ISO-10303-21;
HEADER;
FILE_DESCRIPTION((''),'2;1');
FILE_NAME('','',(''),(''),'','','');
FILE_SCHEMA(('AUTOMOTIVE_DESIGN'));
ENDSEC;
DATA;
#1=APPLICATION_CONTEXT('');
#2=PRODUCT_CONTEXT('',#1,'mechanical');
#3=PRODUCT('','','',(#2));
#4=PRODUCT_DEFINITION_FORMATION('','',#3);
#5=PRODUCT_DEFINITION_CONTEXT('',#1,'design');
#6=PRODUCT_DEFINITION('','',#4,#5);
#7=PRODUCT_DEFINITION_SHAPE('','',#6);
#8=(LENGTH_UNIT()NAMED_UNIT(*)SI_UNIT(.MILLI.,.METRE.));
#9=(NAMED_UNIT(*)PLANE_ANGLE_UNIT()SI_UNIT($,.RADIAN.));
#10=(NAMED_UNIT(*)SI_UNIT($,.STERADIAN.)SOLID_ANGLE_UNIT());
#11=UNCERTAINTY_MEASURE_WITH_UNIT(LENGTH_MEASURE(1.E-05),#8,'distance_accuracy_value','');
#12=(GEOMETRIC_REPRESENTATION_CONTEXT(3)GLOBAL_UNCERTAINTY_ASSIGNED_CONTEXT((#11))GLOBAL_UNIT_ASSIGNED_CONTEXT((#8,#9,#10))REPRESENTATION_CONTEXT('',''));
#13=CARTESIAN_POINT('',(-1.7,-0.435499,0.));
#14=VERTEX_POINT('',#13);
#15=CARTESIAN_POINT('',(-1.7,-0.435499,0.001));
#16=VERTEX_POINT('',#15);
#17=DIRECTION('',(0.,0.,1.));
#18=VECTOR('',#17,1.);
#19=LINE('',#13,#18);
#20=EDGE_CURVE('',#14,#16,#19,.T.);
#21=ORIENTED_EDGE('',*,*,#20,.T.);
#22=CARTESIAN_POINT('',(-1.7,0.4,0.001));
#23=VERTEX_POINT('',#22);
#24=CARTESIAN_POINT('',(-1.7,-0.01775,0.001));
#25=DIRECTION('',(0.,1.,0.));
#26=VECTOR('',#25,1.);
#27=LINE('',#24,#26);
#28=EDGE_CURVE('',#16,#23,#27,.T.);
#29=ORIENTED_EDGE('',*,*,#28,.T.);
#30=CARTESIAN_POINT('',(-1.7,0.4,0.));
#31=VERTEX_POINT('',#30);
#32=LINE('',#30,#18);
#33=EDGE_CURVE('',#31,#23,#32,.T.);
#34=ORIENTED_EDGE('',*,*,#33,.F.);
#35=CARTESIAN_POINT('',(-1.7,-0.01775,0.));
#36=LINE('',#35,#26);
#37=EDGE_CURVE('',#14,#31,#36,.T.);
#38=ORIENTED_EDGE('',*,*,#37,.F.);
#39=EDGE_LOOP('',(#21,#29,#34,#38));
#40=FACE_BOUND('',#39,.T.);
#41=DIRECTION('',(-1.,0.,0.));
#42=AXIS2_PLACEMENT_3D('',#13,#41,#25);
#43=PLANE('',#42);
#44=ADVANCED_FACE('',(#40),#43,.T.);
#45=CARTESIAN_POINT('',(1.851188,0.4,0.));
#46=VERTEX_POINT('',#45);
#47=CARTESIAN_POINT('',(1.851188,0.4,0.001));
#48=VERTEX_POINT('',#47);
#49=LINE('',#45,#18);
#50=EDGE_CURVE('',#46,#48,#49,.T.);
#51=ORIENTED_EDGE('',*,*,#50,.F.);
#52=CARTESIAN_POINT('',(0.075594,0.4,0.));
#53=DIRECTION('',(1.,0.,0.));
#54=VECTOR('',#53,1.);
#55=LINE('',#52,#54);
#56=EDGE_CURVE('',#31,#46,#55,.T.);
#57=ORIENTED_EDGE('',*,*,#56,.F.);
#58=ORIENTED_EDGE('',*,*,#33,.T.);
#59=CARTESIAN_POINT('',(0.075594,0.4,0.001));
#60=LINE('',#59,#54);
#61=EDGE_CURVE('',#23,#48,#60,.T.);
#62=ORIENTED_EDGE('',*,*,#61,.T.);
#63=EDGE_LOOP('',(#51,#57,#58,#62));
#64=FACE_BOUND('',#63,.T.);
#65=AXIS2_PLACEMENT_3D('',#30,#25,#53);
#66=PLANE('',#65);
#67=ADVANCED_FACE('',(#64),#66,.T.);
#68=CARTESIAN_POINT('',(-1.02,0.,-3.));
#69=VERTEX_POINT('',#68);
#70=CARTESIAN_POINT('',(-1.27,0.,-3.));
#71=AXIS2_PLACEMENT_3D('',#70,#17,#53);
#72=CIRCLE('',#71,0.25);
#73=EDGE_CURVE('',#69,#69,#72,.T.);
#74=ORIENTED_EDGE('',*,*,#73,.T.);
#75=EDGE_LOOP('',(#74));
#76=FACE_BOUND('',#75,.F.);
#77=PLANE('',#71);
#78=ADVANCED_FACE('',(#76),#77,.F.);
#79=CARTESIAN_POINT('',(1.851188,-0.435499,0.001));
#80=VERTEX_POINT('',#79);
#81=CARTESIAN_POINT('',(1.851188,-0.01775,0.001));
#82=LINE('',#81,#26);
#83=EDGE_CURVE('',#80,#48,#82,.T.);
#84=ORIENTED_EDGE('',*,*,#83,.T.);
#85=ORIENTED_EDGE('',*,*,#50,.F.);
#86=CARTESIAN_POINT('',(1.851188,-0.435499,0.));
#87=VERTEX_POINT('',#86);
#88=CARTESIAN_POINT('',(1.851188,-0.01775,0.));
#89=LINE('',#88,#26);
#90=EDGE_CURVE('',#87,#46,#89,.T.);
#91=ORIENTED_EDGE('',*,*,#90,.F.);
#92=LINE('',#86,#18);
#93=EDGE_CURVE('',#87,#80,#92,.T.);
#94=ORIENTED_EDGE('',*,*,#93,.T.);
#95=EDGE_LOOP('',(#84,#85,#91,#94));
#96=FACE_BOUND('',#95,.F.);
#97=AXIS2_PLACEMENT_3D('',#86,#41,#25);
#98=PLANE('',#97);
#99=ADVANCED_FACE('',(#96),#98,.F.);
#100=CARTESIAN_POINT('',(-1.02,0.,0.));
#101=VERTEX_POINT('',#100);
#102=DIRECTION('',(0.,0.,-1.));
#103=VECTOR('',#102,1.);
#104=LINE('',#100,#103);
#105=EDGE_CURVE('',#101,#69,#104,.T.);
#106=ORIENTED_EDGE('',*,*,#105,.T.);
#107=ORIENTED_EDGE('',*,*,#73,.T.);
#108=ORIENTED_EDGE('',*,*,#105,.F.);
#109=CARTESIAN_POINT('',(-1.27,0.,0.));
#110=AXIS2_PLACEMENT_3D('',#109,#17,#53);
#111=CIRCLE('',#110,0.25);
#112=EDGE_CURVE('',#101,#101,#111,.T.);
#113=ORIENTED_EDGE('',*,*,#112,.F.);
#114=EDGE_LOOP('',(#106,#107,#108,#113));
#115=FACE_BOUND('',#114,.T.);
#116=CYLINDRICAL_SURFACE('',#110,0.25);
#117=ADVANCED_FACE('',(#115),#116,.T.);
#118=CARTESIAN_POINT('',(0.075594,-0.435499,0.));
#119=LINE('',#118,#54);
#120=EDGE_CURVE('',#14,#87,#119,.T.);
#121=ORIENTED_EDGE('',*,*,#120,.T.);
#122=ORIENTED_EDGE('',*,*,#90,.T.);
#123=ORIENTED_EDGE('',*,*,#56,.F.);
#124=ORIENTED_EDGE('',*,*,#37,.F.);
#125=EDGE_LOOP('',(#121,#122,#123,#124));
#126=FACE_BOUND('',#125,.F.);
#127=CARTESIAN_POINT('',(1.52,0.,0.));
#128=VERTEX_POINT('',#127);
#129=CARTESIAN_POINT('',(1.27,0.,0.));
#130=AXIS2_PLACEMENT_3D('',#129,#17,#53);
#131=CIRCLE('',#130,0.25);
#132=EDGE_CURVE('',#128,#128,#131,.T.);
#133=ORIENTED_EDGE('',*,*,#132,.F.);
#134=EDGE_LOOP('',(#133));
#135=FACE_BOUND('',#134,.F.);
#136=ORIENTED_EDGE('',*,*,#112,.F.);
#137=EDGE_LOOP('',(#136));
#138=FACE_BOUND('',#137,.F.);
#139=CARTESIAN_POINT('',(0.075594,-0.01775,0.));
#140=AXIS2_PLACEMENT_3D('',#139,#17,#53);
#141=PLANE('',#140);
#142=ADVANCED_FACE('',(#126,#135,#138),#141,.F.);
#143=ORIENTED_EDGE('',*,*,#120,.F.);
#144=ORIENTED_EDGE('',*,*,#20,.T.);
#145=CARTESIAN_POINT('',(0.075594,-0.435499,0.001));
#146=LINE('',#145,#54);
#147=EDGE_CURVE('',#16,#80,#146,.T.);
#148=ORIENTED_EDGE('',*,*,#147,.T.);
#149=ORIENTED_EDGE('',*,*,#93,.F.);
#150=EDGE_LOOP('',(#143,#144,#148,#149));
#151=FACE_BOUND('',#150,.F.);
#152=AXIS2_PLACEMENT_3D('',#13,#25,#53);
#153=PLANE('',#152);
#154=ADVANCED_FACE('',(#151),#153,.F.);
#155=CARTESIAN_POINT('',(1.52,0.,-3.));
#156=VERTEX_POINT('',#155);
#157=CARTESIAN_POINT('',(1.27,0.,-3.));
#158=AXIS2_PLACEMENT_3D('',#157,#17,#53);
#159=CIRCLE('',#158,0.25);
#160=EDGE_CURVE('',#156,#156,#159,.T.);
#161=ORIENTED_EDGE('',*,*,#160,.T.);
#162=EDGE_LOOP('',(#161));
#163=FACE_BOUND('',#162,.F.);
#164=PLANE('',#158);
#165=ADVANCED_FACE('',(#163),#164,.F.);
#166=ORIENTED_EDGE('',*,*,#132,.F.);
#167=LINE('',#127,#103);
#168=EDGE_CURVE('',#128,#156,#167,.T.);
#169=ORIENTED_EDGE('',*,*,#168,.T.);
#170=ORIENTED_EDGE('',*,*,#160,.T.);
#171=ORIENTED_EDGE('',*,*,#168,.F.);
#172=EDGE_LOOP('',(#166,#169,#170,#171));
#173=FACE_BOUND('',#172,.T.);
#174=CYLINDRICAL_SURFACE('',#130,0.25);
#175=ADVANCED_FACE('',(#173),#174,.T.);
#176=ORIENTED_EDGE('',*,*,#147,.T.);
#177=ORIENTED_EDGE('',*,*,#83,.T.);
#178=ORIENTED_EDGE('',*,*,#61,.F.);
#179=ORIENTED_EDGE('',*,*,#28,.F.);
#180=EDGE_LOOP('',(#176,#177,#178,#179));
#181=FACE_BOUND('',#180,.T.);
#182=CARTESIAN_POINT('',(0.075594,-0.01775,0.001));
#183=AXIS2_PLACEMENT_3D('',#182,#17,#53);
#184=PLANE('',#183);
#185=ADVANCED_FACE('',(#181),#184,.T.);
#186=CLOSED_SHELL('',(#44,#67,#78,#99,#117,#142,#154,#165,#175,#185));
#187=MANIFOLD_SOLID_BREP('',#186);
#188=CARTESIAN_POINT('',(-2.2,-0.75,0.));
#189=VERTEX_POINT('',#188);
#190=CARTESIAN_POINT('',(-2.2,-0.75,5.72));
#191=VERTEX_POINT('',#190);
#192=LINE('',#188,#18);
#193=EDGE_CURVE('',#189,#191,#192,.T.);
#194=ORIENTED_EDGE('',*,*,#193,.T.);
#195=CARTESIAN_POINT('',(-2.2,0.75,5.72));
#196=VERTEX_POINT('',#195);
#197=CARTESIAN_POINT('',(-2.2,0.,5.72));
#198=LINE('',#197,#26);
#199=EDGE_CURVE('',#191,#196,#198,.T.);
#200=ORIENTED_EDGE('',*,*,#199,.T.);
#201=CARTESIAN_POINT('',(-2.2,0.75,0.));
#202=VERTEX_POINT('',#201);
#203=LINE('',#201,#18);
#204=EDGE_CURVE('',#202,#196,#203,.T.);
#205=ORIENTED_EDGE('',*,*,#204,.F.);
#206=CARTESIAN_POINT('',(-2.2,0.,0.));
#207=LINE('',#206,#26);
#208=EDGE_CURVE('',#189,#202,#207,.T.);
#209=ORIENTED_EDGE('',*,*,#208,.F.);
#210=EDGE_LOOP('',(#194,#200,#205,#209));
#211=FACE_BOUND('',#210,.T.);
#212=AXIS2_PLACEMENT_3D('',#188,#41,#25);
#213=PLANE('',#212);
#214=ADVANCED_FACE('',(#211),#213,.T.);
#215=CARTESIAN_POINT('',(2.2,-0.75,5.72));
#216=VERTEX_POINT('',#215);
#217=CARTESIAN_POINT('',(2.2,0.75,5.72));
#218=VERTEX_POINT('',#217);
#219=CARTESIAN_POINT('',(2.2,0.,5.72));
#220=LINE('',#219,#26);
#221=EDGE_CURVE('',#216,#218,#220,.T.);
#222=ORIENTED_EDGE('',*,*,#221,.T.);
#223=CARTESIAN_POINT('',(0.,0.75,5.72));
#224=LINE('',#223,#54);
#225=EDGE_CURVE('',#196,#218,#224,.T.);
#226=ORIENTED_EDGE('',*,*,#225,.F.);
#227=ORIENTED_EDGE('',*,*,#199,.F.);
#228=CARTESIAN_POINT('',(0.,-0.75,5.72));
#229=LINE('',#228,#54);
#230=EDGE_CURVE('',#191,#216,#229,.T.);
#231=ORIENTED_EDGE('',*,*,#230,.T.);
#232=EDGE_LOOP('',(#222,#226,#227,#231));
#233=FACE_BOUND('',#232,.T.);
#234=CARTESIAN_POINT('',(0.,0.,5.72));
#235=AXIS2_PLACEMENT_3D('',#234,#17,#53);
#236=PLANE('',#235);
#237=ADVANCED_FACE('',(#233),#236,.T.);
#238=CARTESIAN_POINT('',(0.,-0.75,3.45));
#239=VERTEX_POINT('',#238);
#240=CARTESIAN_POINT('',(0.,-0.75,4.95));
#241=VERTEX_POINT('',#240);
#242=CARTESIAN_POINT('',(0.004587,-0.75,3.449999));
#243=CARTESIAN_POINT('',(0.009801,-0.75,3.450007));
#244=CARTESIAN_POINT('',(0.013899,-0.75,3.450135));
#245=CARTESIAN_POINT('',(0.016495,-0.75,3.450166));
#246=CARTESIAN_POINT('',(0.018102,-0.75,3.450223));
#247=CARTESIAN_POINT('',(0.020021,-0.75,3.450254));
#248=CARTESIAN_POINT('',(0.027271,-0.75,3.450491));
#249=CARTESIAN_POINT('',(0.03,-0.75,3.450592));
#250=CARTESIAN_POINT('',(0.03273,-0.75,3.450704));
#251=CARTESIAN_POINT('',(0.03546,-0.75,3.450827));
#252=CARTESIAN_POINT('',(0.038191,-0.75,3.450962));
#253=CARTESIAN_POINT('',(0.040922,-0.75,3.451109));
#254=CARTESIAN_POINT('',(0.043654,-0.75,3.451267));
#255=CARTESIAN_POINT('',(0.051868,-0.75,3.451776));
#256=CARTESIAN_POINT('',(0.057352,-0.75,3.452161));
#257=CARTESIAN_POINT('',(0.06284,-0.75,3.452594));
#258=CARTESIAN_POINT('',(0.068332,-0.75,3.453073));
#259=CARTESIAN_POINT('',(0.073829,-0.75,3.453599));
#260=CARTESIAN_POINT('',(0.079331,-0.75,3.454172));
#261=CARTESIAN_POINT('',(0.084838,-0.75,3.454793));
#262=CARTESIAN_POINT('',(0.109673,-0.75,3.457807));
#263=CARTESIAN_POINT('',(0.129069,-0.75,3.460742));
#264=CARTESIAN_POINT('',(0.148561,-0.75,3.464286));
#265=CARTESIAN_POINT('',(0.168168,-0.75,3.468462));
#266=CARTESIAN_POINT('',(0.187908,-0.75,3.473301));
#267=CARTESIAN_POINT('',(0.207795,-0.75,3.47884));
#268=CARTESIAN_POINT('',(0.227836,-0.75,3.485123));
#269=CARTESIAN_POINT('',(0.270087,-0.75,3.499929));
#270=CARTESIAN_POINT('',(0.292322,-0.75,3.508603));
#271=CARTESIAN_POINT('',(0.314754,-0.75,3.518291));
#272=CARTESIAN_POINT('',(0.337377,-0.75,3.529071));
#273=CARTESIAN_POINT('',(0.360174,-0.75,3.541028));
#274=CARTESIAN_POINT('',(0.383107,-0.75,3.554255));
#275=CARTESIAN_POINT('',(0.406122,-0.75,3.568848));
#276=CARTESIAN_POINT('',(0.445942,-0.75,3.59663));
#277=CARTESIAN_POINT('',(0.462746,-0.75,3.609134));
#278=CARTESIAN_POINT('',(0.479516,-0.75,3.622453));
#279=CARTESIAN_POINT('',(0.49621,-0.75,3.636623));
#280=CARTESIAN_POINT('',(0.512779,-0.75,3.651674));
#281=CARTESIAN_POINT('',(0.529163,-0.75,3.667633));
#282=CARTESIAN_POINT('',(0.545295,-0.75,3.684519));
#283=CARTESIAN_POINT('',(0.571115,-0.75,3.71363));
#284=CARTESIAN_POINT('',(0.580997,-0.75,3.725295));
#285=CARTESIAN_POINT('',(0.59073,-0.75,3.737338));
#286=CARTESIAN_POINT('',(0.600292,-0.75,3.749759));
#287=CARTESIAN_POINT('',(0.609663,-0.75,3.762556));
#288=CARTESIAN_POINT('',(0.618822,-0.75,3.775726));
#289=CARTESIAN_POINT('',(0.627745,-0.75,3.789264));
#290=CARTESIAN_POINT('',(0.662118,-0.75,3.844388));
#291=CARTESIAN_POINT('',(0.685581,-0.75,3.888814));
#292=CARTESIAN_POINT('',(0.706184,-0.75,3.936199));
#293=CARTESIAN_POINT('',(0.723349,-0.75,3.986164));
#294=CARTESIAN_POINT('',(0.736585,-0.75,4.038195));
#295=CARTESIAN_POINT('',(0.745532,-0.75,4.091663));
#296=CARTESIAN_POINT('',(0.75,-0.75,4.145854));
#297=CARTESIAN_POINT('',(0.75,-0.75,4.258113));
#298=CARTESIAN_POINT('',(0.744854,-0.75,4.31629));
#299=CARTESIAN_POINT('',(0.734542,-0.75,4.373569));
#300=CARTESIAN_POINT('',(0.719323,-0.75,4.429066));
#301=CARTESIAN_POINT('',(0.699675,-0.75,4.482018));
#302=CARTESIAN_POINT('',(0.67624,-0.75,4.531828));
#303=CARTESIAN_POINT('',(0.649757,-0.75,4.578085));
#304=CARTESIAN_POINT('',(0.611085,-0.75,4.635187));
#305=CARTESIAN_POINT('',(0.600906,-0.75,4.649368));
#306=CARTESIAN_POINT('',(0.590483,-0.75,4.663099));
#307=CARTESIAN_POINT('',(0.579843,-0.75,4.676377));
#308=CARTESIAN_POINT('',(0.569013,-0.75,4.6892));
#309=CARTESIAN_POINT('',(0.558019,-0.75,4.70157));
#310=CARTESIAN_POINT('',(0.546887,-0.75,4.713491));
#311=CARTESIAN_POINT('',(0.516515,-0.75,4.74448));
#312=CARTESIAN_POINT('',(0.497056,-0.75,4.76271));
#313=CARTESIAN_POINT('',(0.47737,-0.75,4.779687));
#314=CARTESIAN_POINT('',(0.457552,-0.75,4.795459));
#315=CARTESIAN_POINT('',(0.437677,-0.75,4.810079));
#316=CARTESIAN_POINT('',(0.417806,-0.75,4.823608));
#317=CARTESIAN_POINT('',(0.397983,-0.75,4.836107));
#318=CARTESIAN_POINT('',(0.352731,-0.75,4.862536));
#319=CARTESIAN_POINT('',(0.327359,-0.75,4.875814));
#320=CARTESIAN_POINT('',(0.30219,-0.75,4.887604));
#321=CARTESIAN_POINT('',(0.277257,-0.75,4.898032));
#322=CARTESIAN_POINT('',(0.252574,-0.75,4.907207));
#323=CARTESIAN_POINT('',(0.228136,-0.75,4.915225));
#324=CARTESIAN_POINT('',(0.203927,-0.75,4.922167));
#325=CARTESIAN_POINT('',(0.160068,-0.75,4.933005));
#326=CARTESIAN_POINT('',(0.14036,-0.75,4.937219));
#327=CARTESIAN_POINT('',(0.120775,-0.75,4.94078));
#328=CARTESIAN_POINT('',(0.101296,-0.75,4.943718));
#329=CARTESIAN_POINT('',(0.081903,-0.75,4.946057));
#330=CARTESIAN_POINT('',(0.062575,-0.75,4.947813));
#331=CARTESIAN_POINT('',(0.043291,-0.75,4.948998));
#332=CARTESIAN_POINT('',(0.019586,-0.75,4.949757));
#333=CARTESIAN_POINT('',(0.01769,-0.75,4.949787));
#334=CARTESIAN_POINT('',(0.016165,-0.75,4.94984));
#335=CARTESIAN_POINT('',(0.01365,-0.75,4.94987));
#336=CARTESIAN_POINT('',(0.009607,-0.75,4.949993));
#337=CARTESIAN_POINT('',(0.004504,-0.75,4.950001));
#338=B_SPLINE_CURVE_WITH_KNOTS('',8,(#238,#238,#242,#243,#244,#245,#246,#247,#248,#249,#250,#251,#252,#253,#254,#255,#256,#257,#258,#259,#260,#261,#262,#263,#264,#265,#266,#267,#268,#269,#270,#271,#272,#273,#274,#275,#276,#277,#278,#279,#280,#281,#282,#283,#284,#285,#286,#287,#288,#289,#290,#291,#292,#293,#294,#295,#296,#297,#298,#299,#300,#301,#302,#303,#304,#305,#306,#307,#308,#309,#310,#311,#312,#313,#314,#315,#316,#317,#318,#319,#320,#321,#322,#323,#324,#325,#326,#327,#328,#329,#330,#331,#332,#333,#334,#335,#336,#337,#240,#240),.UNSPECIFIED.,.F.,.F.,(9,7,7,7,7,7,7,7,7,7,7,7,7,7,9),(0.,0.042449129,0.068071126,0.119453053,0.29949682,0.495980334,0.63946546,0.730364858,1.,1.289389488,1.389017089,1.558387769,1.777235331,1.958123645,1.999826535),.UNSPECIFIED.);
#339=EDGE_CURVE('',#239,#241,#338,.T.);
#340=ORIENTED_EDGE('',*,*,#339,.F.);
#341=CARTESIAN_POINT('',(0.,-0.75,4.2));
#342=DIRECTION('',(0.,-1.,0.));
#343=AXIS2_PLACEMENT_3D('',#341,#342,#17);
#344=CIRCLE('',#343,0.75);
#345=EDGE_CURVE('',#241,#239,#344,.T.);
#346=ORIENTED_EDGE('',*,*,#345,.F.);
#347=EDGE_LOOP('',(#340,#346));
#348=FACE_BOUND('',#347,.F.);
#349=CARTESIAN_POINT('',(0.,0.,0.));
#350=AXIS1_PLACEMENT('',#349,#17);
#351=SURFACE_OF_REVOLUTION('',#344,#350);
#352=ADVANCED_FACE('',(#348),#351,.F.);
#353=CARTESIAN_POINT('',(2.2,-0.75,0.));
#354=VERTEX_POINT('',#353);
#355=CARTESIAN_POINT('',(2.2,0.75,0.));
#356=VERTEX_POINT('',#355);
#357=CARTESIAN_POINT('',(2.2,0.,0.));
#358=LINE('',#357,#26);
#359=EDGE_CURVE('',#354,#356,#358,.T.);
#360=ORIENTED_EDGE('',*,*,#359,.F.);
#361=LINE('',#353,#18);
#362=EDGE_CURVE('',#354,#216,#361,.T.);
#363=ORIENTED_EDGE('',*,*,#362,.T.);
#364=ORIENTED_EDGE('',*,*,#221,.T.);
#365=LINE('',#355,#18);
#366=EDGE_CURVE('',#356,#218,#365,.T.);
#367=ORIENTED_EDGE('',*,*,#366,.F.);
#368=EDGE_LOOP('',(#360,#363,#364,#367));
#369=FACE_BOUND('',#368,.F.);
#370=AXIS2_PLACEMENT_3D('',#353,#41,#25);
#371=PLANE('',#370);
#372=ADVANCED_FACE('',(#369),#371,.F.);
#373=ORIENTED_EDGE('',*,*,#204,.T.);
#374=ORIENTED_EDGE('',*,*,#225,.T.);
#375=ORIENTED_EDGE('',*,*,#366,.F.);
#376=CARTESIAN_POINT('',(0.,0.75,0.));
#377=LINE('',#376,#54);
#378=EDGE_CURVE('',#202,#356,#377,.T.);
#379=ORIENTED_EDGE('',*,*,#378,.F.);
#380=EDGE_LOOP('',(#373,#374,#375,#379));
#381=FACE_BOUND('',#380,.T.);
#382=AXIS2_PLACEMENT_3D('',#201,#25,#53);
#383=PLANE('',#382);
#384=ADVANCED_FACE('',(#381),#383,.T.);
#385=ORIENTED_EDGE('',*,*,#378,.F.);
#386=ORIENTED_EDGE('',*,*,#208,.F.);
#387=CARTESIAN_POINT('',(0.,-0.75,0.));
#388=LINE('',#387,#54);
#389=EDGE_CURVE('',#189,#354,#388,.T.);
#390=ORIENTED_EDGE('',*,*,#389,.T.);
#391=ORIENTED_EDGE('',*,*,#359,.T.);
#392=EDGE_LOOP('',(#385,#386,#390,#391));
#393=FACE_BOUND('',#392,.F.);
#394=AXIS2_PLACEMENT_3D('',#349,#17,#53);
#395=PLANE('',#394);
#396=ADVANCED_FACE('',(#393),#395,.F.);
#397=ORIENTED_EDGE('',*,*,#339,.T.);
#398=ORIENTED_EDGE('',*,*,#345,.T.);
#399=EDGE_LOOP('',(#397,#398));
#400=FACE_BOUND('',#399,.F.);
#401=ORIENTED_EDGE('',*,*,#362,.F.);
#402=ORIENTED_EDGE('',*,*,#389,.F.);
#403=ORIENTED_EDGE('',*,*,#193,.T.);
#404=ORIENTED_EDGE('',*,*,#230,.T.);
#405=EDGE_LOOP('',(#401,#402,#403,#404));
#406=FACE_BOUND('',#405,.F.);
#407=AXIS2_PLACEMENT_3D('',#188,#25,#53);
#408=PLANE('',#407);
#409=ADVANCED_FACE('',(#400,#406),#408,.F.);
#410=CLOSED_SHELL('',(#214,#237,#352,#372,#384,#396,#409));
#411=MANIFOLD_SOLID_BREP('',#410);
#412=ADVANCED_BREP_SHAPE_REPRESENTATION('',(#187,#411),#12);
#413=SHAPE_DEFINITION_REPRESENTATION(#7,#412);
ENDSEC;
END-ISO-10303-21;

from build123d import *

# Parameters (mm, degrees)
SKETCH_W         = 4.4
SKETCH_H         = 1.5
PAD_DEPTH        = 5.72
REVOLUTION_ANGLE = 90
SKETCH003_W      = 3.551188
SKETCH003_H      = 0.835499
PAD001_DEPTH     = 0.001
SKETCH002_R      = 0.25
PAD002_DEPTH     = 3


with BuildPart() as body:
    # Sketch → Pad (new body)
    with BuildSketch(Plane.XY):
        Rectangle(SKETCH_W, SKETCH_H)
    extrude(amount=PAD_DEPTH)

    # Sketch001 → Revolution (revolve)
    with BuildSketch(Plane.XZ.offset(0.75)):
        with BuildLine():
            ThreePointArc((0, 4.95), (-0.75, 4.2), (0, 3.45))
            Line((0, 4.95), (0, 3.45))
        make_face()
    revolve(axis=Axis((0, 0, 0), (0, 0, 1)), revolution_arc=REVOLUTION_ANGLE)


with BuildPart() as body001:
    # Sketch003 → Pad001 (new body)
    with BuildSketch(Plane.XY):
        with Locations((0.075594, -0.01775)):
            Rectangle(SKETCH003_W, SKETCH003_H)
    extrude(amount=PAD001_DEPTH)

    # Sketch002 → Pad002 (join)
    with BuildSketch(Plane.XY):
        with Locations((-1.27, 0)):
            Circle(SKETCH002_R)
        with Locations((1.27, 0)):
            Circle(SKETCH002_R)
    extrude(amount=-PAD002_DEPTH)


solid = Compound([body.part, body001.part])
